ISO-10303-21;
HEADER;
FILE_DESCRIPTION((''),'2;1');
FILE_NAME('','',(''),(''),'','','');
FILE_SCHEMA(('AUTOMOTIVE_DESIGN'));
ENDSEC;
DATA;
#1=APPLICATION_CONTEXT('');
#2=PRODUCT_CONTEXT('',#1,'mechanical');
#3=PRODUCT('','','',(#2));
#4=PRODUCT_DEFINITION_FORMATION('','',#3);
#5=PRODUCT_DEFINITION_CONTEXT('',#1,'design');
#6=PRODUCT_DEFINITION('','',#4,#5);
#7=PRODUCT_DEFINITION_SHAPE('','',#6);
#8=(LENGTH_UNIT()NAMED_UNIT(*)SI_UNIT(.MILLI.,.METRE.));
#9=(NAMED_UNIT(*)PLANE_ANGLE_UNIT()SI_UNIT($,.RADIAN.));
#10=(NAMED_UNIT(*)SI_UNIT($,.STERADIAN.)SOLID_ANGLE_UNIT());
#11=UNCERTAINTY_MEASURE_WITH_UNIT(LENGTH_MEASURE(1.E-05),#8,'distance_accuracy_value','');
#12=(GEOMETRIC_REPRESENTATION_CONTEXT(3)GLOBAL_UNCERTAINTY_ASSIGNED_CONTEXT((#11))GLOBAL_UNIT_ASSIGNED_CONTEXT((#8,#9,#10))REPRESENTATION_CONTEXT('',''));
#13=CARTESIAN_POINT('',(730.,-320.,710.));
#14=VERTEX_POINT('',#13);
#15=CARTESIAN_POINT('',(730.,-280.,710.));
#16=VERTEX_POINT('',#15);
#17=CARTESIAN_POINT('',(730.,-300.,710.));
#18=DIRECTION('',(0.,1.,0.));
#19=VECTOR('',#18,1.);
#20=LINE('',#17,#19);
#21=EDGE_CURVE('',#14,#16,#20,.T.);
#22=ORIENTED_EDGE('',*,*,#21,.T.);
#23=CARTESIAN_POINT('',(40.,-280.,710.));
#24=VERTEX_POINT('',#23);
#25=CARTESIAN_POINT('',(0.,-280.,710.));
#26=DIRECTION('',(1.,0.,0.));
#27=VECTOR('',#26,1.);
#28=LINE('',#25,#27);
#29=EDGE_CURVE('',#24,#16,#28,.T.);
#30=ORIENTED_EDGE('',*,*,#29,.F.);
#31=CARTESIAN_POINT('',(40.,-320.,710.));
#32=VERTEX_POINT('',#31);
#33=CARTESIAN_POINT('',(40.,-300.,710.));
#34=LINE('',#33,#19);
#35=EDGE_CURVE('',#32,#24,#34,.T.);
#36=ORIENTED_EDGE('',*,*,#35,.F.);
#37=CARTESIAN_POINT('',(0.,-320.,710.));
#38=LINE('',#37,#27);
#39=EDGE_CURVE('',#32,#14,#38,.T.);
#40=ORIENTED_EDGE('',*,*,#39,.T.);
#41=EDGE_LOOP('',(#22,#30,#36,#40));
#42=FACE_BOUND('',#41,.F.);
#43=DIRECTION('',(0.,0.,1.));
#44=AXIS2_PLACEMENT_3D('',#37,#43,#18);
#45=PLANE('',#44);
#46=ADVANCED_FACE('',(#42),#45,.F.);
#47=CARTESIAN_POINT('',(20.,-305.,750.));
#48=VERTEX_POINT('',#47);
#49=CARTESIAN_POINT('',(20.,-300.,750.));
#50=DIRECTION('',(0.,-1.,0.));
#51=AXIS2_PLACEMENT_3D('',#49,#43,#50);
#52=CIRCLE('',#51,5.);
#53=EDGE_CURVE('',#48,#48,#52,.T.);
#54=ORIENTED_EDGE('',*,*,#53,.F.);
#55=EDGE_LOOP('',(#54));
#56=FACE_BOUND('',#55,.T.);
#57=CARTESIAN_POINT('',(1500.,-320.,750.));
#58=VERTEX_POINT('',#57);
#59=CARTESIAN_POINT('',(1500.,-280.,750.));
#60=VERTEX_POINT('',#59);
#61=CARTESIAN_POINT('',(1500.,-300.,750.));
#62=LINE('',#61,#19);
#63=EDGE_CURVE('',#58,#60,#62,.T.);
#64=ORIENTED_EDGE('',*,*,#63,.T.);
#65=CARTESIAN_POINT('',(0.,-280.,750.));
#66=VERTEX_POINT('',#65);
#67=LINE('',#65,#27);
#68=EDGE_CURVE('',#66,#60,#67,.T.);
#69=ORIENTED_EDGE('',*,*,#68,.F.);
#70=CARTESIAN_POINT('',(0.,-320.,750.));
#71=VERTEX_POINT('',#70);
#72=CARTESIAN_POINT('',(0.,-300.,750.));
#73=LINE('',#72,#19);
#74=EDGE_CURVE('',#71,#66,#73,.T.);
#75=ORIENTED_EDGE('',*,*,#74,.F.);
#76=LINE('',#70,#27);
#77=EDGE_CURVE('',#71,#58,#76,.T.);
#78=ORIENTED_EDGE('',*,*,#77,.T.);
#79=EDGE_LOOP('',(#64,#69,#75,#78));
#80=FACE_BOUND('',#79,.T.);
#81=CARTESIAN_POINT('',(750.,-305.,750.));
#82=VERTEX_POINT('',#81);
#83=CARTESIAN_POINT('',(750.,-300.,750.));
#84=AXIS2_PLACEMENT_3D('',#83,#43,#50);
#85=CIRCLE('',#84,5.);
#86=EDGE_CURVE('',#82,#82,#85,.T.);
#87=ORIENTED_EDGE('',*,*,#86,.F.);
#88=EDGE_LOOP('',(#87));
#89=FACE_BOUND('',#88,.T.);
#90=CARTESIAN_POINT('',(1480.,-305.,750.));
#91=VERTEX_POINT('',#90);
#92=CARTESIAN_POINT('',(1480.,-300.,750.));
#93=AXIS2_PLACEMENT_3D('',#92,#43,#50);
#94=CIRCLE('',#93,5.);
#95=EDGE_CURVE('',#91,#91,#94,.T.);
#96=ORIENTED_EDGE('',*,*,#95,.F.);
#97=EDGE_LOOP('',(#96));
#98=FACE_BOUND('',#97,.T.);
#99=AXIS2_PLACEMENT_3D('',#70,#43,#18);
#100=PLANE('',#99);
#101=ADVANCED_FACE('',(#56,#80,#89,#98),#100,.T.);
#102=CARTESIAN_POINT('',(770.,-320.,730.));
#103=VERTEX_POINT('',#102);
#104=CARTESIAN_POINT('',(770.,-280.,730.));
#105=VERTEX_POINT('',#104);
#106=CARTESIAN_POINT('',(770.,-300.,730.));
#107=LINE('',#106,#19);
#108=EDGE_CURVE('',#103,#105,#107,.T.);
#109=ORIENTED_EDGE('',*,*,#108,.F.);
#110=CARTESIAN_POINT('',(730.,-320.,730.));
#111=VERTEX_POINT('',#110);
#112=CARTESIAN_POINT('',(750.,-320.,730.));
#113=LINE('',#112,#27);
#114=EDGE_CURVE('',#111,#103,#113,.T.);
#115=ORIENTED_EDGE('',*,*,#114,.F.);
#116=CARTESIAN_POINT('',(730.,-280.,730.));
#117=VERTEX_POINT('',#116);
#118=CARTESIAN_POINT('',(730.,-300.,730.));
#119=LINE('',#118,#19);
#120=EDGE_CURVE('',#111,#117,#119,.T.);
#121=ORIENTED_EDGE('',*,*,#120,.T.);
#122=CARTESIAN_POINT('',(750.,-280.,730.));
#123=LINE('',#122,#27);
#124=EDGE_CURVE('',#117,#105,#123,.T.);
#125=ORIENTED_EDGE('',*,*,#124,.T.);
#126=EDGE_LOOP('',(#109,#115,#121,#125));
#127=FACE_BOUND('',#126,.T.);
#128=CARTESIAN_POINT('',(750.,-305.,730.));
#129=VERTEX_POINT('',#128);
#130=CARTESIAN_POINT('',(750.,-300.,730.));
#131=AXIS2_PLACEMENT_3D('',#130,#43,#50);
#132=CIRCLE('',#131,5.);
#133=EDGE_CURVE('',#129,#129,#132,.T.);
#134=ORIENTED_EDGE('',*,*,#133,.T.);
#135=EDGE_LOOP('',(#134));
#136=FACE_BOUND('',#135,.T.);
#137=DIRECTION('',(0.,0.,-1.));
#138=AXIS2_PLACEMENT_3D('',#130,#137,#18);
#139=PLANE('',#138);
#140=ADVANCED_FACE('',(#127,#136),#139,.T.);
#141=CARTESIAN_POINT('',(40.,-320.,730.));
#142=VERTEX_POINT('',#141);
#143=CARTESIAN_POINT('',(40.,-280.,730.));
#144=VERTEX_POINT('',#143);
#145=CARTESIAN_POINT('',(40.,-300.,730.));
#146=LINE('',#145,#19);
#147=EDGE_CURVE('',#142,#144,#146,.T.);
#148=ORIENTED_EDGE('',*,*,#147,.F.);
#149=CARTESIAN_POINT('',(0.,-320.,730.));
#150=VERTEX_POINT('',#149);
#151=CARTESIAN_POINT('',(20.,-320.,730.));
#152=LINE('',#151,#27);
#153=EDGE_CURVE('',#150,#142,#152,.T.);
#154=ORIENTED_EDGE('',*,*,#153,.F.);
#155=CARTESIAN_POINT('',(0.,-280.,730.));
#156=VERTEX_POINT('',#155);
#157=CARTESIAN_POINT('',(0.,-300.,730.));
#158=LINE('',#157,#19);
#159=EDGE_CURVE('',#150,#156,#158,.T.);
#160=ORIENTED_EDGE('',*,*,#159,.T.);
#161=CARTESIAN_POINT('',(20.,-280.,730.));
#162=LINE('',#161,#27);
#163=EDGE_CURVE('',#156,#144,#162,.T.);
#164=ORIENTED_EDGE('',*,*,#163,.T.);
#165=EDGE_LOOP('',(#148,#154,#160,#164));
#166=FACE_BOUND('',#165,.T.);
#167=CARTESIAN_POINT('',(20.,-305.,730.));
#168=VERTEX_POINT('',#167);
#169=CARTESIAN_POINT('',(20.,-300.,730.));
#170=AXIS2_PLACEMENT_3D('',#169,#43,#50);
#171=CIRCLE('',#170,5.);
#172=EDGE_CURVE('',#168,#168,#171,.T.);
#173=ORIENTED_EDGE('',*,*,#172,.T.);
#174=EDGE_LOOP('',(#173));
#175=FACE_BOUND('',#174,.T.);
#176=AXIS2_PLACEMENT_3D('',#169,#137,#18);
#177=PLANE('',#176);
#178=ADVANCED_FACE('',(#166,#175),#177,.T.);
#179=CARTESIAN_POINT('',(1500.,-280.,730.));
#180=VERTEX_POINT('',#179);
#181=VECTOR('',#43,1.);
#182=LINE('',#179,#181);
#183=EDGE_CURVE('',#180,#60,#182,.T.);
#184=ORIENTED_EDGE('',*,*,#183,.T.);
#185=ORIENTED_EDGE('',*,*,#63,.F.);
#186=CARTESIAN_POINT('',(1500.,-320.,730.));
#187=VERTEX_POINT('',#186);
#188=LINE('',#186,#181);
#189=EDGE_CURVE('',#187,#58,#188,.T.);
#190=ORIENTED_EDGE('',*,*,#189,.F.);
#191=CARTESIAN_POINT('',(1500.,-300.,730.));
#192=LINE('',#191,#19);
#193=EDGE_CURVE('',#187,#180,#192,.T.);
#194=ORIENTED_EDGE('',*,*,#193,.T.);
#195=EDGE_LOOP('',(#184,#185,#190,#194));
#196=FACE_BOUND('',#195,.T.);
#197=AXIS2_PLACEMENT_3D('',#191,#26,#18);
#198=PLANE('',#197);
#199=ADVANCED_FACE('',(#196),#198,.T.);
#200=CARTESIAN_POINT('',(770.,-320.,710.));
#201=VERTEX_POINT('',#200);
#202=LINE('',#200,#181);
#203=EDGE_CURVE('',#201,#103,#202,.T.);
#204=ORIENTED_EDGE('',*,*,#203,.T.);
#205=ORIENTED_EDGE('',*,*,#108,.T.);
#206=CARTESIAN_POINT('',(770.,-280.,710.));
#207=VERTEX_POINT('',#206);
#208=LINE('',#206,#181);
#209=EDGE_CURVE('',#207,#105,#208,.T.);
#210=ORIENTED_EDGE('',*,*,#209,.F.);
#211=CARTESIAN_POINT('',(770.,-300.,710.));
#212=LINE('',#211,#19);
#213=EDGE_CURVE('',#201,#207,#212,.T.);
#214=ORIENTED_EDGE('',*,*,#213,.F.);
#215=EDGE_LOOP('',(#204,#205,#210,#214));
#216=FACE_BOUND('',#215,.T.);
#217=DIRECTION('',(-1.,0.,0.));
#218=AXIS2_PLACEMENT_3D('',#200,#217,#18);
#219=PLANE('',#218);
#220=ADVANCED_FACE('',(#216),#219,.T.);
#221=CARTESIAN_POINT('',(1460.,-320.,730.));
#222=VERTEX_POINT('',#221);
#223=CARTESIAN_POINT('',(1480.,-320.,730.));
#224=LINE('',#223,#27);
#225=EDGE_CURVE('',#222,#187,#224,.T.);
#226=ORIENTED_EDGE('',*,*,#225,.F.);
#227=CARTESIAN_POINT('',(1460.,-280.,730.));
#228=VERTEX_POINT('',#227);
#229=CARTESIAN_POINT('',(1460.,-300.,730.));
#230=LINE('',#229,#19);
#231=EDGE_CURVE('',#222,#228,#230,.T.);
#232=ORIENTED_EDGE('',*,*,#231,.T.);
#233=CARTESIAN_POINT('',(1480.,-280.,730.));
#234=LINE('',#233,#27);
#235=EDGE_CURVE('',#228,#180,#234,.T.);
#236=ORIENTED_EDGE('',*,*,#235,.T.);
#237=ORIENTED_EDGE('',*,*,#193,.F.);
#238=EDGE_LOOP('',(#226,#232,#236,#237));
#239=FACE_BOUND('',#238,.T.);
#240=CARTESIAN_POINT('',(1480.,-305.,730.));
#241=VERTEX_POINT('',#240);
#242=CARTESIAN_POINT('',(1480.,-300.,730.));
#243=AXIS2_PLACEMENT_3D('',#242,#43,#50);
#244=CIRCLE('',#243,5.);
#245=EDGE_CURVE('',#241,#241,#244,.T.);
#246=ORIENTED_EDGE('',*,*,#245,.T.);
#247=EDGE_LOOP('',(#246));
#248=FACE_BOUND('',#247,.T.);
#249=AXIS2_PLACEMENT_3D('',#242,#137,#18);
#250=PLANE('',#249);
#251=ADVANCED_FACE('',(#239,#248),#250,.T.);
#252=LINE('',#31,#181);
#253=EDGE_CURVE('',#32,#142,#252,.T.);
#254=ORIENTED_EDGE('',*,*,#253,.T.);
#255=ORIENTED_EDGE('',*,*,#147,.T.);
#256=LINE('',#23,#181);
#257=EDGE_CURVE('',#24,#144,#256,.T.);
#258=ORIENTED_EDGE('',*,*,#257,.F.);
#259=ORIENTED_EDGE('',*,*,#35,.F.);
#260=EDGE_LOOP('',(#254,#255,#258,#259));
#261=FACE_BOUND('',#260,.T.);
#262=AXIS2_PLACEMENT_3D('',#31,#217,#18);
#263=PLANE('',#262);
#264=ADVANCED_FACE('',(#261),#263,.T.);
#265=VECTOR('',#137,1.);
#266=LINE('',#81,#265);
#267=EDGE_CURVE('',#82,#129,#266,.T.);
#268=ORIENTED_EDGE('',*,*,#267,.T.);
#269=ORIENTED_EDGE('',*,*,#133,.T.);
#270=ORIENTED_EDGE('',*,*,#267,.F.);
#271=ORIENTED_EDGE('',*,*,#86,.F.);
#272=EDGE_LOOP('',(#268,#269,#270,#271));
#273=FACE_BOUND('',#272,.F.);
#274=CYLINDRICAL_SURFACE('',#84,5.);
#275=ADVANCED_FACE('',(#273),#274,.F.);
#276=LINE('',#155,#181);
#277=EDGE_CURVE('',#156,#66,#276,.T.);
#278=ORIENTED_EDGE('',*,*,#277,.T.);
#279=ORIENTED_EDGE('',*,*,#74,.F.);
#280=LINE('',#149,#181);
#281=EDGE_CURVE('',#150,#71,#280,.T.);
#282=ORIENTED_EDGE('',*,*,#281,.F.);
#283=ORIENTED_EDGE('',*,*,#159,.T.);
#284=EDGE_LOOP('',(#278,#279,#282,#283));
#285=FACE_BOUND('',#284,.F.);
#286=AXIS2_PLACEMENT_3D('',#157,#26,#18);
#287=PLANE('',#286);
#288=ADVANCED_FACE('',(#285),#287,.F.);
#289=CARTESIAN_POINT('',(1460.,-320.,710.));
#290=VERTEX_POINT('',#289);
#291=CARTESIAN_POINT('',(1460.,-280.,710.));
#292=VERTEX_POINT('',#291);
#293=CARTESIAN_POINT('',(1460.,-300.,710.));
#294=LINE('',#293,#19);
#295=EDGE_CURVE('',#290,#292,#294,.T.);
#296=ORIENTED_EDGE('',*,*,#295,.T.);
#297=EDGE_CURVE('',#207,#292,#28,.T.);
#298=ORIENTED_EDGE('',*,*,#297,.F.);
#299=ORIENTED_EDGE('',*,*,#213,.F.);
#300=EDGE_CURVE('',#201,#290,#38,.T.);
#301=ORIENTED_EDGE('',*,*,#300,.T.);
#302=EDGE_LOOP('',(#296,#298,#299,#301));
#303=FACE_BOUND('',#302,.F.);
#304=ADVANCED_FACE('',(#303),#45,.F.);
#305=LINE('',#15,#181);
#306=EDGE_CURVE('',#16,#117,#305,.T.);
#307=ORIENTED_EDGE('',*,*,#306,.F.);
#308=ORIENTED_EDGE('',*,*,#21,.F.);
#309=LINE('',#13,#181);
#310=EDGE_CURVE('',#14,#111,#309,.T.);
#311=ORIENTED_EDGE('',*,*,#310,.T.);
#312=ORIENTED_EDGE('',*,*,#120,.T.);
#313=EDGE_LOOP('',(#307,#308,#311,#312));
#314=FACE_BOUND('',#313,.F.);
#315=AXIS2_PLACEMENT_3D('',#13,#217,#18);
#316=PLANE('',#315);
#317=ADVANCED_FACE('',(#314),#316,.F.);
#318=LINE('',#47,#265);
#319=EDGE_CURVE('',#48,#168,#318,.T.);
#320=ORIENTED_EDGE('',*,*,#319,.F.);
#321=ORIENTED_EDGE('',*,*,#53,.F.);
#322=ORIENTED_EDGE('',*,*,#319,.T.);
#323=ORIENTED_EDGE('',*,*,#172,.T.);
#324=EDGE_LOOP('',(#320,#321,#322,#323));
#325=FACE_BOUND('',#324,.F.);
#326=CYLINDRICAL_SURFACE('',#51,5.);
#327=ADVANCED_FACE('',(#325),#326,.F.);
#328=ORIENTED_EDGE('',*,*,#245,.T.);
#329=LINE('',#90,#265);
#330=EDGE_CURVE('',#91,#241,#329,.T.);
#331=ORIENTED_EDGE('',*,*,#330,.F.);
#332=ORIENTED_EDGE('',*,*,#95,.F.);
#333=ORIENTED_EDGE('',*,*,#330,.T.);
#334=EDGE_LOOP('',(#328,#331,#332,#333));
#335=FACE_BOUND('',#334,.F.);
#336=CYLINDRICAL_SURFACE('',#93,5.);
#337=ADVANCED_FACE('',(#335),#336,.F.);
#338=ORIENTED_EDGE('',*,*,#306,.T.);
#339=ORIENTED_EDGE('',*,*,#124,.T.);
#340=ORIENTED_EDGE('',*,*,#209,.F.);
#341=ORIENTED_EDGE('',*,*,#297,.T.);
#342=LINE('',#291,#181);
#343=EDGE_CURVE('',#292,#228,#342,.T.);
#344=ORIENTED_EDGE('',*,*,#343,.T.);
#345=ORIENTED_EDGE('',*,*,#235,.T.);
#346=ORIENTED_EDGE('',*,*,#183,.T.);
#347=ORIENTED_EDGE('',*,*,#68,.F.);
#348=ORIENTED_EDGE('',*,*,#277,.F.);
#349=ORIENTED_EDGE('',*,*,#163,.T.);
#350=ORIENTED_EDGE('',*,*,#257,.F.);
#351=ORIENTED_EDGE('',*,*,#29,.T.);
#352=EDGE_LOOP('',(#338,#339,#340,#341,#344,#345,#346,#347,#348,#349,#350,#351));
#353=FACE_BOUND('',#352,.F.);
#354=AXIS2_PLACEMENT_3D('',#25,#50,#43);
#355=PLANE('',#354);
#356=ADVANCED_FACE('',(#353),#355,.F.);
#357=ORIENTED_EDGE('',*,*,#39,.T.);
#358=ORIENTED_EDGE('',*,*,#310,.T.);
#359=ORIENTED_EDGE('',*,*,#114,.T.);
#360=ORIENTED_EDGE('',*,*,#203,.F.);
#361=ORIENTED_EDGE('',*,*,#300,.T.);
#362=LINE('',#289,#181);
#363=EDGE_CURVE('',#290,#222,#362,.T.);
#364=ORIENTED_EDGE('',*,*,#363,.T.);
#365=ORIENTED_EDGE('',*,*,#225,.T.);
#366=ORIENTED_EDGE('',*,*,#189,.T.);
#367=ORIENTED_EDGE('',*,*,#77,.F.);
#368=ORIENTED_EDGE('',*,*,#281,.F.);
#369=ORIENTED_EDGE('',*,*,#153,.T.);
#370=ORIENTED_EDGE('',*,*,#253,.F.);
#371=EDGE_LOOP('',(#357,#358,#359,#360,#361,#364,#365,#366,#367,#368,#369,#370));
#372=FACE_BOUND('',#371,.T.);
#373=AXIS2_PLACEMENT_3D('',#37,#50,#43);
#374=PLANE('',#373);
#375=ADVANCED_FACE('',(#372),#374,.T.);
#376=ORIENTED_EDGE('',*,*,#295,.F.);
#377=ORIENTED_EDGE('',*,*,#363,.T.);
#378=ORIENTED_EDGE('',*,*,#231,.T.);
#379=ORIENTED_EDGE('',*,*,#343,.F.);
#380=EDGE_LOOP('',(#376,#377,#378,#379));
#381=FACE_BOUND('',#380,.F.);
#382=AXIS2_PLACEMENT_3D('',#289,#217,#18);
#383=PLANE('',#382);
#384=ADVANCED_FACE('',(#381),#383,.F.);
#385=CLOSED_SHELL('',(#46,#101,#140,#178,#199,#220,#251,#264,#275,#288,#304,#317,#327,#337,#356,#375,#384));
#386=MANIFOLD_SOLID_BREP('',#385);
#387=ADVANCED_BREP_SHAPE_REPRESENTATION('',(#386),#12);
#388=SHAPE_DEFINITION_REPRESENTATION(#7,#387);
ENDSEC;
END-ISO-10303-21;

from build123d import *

# Parameters (mm, degrees)
SKETCH030_W     = 40
SKETCH030_H     = 40
PAD022_DEPTH    = 1500
SKETCH031_W     = 40
SKETCH031_H     = 40
POCKET008_DEPTH = 20
SKETCH059_R     = 5
POCKET014_DEPTH = 40.001


with BuildPart() as part:
    # Sketch030 → Pad022 (new body)
    with BuildSketch(Plane.YZ):
        with Locations((-300, 280)):
            Rectangle(SKETCH030_W, SKETCH030_H)
    extrude(amount=PAD022_DEPTH)

    # Sketch031 (on Face3 of Pad022) → Pocket008 (cut)
    with BuildSketch(Plane.YX.offset(-260)):
        with Locations((-300, 1480)):
            Rectangle(SKETCH031_W, SKETCH031_H)
        with Locations((-300, 750)):
            Rectangle(SKETCH031_W, SKETCH031_H)
        with Locations((-300, 20)):
            Rectangle(SKETCH031_W, SKETCH031_H)
    extrude(amount=-POCKET008_DEPTH, mode=Mode.SUBTRACT)

    # Sketch059 → Pocket014 (cut, through all)
    with BuildSketch(Plane(origin=(0, 0, 300), x_dir=(0, -1, 0), z_dir=(0, 0, 1))):
        with Locations((300, 20)):
            Circle(SKETCH059_R)
        with Locations((300, 750)):
            Circle(SKETCH059_R)
        with Locations((300, 1480)):
            Circle(SKETCH059_R)
    extrude(amount=-POCKET014_DEPTH, mode=Mode.SUBTRACT)


with BuildPart() as part_1:
    # Clone010 placement: moved
    add(part.part.moved(Location((0, 0, 450))))


solid = part_1.part
